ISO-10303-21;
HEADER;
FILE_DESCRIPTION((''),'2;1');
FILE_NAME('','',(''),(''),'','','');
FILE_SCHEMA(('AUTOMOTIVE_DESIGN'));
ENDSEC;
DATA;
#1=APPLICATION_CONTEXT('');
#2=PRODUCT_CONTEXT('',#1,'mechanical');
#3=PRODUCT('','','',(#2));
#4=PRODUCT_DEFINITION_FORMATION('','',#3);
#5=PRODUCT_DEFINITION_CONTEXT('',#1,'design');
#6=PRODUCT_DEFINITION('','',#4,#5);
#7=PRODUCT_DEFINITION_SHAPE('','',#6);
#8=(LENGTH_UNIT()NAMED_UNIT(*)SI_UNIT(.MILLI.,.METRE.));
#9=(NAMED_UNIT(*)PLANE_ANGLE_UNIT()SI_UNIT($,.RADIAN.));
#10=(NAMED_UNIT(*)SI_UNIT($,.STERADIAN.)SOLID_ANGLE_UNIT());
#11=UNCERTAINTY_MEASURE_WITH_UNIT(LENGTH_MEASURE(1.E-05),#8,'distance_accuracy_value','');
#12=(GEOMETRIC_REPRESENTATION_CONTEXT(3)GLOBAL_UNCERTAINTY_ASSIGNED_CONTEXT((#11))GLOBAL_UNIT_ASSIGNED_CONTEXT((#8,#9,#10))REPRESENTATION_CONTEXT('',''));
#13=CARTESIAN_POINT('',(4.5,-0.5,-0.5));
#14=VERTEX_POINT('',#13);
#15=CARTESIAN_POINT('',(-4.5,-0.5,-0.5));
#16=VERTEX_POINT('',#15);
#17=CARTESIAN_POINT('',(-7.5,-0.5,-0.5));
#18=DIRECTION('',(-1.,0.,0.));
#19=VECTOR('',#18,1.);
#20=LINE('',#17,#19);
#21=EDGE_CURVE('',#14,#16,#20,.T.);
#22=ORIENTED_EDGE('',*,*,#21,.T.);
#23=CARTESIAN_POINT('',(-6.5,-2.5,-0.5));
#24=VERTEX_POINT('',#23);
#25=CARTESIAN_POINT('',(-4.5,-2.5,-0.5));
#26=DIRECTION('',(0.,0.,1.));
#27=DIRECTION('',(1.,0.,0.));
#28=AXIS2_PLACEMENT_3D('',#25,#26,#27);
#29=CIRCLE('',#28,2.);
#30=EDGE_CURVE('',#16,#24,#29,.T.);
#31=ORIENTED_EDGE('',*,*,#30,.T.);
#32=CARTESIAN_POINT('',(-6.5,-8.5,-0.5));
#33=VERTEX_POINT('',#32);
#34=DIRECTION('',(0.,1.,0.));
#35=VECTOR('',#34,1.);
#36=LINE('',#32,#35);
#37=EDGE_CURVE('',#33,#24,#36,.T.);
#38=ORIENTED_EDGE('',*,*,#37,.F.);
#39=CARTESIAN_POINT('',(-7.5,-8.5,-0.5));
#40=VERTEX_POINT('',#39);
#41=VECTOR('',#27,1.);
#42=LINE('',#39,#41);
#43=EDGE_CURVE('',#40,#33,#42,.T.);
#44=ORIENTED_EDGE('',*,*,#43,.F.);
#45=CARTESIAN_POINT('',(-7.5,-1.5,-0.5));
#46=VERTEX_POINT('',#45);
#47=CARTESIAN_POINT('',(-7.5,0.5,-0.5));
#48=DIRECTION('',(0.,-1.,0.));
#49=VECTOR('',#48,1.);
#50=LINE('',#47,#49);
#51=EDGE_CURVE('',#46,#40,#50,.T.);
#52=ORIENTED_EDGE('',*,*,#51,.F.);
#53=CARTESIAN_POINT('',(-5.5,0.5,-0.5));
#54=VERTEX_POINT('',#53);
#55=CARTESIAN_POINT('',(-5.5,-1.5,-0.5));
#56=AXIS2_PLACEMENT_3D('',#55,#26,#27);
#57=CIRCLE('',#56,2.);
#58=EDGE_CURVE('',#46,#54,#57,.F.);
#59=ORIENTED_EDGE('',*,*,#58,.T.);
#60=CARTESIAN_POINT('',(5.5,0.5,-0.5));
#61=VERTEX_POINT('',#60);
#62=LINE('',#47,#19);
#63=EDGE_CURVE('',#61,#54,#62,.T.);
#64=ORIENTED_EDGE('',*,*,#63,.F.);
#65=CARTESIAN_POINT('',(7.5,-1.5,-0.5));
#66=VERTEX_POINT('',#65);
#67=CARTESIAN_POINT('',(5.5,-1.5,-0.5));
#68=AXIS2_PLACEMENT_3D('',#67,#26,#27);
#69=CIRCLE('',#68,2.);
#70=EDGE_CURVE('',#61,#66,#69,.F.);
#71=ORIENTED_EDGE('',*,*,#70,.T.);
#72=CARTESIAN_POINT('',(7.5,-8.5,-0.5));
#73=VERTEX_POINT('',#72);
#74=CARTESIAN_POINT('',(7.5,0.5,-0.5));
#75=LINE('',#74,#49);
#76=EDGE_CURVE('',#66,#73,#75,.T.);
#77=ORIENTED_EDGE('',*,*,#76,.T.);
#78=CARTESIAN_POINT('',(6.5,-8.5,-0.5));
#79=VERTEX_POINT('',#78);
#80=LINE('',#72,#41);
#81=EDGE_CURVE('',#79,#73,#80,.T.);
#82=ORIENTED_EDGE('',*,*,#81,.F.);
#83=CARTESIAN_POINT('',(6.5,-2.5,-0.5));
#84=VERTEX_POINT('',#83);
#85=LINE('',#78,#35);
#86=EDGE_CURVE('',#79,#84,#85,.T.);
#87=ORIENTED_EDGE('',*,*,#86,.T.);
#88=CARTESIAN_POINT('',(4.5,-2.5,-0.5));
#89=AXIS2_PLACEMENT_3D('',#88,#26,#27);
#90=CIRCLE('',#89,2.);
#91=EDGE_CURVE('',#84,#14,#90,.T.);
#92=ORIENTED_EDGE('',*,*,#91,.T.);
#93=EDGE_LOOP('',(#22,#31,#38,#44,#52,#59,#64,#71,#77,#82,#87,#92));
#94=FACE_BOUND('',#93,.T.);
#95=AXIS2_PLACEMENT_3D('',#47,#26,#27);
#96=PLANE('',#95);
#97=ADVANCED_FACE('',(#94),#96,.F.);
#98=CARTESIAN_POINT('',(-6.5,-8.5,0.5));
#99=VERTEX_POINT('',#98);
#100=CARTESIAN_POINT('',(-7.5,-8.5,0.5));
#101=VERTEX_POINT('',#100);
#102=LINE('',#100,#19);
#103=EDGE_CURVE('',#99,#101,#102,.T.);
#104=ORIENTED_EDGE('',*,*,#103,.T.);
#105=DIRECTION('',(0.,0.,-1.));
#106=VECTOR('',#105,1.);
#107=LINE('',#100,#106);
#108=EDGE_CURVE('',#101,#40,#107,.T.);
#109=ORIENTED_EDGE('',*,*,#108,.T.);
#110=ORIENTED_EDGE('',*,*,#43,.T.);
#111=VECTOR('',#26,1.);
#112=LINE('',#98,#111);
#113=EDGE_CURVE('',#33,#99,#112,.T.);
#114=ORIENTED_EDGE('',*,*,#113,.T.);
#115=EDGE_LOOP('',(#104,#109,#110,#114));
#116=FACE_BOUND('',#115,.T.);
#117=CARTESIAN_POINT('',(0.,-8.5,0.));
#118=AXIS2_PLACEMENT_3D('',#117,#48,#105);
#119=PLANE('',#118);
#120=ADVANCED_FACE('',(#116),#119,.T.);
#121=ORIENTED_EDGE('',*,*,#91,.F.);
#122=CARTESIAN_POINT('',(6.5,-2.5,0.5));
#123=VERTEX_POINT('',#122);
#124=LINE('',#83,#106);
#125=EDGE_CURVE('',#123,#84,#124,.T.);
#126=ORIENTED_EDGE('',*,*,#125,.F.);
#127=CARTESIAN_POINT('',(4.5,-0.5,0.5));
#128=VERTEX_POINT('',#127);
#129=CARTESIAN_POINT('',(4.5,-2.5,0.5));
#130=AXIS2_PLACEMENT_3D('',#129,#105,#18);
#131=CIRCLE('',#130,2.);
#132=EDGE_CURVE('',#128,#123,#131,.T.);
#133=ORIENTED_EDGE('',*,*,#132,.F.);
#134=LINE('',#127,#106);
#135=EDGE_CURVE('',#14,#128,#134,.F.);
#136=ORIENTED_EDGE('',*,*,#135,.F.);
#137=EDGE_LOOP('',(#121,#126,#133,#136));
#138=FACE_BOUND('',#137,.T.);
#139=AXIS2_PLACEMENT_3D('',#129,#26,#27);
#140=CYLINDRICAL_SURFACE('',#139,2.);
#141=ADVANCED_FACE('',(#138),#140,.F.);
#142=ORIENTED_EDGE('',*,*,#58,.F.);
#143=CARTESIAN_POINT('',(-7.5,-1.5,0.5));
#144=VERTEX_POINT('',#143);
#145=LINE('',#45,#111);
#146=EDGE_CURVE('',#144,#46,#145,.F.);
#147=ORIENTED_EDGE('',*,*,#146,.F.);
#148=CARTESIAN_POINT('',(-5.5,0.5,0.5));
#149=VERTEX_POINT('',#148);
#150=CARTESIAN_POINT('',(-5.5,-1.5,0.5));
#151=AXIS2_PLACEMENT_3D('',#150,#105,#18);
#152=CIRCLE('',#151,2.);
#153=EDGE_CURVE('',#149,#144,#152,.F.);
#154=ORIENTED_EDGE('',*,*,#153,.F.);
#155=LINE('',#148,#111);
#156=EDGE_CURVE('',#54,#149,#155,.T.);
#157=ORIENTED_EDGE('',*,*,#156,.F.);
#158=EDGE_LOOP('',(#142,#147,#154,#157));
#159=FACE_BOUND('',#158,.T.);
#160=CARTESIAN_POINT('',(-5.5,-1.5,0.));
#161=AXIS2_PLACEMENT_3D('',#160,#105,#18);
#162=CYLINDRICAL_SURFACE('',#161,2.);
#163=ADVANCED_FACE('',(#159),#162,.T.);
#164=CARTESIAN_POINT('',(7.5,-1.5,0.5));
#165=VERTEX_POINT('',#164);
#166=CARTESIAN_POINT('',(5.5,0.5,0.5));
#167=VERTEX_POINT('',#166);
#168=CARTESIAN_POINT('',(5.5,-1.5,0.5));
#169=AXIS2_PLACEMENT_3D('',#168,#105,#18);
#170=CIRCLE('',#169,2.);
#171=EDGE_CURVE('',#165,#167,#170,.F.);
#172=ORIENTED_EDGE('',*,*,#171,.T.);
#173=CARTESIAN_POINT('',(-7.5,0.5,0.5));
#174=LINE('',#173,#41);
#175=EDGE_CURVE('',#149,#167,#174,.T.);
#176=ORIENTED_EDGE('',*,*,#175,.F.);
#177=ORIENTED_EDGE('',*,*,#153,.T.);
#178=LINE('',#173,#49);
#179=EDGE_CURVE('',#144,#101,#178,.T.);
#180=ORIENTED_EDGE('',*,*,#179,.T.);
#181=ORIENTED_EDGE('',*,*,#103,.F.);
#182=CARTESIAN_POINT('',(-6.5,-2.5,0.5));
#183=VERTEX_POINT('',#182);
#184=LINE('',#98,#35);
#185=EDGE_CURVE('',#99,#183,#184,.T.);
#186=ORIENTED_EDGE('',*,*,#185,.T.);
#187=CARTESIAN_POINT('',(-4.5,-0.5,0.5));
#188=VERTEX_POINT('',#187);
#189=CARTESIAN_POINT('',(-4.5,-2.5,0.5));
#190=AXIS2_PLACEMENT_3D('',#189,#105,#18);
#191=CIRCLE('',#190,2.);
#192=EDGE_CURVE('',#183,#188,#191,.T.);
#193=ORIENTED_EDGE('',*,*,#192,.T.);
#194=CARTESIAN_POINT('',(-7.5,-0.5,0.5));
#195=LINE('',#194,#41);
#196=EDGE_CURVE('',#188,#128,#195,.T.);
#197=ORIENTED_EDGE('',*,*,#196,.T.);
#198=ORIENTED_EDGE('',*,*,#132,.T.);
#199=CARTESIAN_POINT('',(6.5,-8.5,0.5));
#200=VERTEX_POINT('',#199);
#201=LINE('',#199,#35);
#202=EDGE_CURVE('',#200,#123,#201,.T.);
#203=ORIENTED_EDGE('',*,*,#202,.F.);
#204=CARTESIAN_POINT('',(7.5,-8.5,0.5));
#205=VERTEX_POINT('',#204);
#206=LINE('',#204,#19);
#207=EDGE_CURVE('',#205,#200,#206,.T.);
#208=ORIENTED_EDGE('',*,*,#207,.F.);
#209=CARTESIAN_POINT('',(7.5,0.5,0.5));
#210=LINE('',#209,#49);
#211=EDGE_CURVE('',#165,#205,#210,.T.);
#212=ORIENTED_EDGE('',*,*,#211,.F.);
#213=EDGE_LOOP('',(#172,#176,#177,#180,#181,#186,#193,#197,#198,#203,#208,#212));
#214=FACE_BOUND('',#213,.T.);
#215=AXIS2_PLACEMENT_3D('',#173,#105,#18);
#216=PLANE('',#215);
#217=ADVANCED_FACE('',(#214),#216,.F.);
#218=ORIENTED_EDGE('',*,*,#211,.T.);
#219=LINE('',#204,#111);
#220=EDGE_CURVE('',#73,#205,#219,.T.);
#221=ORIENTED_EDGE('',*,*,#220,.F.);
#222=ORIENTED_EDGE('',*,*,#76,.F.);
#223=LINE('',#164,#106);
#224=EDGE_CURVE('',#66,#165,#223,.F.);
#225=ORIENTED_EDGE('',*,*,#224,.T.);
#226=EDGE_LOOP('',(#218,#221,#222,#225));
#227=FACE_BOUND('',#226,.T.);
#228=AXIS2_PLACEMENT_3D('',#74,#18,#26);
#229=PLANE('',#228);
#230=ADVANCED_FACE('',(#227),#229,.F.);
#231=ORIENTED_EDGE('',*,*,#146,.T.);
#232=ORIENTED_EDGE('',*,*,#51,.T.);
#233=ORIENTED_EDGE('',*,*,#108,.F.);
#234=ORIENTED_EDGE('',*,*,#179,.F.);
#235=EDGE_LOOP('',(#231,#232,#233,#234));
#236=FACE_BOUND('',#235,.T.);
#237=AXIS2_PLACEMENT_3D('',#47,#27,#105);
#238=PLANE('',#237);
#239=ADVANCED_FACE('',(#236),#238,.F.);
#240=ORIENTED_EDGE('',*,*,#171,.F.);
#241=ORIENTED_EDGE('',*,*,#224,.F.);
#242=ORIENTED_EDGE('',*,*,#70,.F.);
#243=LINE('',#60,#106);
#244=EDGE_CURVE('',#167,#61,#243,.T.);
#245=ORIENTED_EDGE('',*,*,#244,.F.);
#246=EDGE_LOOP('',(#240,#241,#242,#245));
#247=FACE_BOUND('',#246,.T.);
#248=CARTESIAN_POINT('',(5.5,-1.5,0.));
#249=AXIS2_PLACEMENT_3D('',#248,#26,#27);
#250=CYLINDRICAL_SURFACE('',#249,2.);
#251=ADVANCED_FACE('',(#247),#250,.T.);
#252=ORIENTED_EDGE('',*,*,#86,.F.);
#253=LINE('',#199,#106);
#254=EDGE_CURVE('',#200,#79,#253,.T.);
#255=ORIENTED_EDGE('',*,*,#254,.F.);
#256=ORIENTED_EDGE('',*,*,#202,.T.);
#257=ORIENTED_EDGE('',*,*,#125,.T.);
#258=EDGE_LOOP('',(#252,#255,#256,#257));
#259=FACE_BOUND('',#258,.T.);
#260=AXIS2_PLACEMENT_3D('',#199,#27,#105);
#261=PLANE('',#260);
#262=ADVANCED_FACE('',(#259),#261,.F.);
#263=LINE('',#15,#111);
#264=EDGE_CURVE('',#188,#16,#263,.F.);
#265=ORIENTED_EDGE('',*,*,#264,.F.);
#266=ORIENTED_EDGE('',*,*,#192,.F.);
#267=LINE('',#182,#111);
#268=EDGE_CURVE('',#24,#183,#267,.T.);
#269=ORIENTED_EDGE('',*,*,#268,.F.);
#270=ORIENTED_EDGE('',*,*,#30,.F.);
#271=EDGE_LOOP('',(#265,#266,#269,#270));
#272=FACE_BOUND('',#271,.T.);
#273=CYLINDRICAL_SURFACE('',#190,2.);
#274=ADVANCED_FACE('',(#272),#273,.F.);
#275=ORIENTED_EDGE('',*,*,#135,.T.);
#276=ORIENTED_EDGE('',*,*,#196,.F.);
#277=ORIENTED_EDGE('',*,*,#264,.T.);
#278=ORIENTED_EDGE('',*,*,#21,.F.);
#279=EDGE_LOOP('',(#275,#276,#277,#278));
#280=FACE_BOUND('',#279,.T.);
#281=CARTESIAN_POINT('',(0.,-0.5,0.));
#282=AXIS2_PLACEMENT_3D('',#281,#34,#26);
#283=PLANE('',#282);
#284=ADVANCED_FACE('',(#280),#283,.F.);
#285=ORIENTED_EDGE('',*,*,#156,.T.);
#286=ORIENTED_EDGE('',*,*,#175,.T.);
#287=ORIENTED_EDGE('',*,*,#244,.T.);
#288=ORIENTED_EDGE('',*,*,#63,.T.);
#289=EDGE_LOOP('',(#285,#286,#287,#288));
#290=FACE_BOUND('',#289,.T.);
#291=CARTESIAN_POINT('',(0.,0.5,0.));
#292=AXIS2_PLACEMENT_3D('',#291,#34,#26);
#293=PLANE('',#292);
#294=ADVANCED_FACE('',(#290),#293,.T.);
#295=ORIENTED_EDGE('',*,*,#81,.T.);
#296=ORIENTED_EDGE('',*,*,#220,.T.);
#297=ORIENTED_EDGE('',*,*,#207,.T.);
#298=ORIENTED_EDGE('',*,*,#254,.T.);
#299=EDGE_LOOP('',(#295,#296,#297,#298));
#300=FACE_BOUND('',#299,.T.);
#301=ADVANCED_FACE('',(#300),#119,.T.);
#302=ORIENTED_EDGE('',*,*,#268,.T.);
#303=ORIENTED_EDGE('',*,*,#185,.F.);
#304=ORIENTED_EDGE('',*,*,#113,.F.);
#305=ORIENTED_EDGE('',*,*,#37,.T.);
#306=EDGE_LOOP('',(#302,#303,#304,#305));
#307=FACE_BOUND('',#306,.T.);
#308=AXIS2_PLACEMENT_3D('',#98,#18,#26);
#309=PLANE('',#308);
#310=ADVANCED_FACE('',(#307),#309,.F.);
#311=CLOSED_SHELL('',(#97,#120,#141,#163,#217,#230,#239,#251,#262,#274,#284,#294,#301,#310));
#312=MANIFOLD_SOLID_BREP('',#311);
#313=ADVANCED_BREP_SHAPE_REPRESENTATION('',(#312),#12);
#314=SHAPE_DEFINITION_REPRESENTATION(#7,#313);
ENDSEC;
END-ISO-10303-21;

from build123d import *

# Parameters (mm, degrees)
SKETCH_1_W      = 15
SKETCH_1_H      = 1
EXTRUDE_1_DEPTH = 0.5
SKETCH_2_W      = 1
SKETCH_2_H      = 1
EXTRUDE_2_DEPTH = 8
FILLET_1_R      = 2


with BuildPart() as part:
    # Эскиз1 → Бобышка-Вытянуть1 (new, symmetric)
    with BuildSketch(Plane(origin=(0, 0, 0), x_dir=(1, 0, 0), z_dir=(0, 1, 0))):
        Rectangle(SKETCH_1_W, SKETCH_1_H)
    extrude(amount=EXTRUDE_1_DEPTH, both=True)

    # Эскиз2 → Бобышка-Вытянуть2 (add)
    with BuildSketch(Plane.XZ.offset(0.5)):
        with Locations((-7, 0)):
            Rectangle(SKETCH_2_W, SKETCH_2_H)
        with Locations((7, 0)):
            Rectangle(SKETCH_2_W, SKETCH_2_H)
    extrude(amount=EXTRUDE_2_DEPTH)

    # Скругление1
    fillet_1_edges = [part.edges().sort_by_distance(p)[0] for p in [
        (-7.5, 0.5, 0),
        (-6.5, -0.5, 0),
        (6.5, -0.5, 0),
        (7.5, 0.5, 0),
    ]]
    fillet(fillet_1_edges, radius=FILLET_1_R)


solid = part.part
